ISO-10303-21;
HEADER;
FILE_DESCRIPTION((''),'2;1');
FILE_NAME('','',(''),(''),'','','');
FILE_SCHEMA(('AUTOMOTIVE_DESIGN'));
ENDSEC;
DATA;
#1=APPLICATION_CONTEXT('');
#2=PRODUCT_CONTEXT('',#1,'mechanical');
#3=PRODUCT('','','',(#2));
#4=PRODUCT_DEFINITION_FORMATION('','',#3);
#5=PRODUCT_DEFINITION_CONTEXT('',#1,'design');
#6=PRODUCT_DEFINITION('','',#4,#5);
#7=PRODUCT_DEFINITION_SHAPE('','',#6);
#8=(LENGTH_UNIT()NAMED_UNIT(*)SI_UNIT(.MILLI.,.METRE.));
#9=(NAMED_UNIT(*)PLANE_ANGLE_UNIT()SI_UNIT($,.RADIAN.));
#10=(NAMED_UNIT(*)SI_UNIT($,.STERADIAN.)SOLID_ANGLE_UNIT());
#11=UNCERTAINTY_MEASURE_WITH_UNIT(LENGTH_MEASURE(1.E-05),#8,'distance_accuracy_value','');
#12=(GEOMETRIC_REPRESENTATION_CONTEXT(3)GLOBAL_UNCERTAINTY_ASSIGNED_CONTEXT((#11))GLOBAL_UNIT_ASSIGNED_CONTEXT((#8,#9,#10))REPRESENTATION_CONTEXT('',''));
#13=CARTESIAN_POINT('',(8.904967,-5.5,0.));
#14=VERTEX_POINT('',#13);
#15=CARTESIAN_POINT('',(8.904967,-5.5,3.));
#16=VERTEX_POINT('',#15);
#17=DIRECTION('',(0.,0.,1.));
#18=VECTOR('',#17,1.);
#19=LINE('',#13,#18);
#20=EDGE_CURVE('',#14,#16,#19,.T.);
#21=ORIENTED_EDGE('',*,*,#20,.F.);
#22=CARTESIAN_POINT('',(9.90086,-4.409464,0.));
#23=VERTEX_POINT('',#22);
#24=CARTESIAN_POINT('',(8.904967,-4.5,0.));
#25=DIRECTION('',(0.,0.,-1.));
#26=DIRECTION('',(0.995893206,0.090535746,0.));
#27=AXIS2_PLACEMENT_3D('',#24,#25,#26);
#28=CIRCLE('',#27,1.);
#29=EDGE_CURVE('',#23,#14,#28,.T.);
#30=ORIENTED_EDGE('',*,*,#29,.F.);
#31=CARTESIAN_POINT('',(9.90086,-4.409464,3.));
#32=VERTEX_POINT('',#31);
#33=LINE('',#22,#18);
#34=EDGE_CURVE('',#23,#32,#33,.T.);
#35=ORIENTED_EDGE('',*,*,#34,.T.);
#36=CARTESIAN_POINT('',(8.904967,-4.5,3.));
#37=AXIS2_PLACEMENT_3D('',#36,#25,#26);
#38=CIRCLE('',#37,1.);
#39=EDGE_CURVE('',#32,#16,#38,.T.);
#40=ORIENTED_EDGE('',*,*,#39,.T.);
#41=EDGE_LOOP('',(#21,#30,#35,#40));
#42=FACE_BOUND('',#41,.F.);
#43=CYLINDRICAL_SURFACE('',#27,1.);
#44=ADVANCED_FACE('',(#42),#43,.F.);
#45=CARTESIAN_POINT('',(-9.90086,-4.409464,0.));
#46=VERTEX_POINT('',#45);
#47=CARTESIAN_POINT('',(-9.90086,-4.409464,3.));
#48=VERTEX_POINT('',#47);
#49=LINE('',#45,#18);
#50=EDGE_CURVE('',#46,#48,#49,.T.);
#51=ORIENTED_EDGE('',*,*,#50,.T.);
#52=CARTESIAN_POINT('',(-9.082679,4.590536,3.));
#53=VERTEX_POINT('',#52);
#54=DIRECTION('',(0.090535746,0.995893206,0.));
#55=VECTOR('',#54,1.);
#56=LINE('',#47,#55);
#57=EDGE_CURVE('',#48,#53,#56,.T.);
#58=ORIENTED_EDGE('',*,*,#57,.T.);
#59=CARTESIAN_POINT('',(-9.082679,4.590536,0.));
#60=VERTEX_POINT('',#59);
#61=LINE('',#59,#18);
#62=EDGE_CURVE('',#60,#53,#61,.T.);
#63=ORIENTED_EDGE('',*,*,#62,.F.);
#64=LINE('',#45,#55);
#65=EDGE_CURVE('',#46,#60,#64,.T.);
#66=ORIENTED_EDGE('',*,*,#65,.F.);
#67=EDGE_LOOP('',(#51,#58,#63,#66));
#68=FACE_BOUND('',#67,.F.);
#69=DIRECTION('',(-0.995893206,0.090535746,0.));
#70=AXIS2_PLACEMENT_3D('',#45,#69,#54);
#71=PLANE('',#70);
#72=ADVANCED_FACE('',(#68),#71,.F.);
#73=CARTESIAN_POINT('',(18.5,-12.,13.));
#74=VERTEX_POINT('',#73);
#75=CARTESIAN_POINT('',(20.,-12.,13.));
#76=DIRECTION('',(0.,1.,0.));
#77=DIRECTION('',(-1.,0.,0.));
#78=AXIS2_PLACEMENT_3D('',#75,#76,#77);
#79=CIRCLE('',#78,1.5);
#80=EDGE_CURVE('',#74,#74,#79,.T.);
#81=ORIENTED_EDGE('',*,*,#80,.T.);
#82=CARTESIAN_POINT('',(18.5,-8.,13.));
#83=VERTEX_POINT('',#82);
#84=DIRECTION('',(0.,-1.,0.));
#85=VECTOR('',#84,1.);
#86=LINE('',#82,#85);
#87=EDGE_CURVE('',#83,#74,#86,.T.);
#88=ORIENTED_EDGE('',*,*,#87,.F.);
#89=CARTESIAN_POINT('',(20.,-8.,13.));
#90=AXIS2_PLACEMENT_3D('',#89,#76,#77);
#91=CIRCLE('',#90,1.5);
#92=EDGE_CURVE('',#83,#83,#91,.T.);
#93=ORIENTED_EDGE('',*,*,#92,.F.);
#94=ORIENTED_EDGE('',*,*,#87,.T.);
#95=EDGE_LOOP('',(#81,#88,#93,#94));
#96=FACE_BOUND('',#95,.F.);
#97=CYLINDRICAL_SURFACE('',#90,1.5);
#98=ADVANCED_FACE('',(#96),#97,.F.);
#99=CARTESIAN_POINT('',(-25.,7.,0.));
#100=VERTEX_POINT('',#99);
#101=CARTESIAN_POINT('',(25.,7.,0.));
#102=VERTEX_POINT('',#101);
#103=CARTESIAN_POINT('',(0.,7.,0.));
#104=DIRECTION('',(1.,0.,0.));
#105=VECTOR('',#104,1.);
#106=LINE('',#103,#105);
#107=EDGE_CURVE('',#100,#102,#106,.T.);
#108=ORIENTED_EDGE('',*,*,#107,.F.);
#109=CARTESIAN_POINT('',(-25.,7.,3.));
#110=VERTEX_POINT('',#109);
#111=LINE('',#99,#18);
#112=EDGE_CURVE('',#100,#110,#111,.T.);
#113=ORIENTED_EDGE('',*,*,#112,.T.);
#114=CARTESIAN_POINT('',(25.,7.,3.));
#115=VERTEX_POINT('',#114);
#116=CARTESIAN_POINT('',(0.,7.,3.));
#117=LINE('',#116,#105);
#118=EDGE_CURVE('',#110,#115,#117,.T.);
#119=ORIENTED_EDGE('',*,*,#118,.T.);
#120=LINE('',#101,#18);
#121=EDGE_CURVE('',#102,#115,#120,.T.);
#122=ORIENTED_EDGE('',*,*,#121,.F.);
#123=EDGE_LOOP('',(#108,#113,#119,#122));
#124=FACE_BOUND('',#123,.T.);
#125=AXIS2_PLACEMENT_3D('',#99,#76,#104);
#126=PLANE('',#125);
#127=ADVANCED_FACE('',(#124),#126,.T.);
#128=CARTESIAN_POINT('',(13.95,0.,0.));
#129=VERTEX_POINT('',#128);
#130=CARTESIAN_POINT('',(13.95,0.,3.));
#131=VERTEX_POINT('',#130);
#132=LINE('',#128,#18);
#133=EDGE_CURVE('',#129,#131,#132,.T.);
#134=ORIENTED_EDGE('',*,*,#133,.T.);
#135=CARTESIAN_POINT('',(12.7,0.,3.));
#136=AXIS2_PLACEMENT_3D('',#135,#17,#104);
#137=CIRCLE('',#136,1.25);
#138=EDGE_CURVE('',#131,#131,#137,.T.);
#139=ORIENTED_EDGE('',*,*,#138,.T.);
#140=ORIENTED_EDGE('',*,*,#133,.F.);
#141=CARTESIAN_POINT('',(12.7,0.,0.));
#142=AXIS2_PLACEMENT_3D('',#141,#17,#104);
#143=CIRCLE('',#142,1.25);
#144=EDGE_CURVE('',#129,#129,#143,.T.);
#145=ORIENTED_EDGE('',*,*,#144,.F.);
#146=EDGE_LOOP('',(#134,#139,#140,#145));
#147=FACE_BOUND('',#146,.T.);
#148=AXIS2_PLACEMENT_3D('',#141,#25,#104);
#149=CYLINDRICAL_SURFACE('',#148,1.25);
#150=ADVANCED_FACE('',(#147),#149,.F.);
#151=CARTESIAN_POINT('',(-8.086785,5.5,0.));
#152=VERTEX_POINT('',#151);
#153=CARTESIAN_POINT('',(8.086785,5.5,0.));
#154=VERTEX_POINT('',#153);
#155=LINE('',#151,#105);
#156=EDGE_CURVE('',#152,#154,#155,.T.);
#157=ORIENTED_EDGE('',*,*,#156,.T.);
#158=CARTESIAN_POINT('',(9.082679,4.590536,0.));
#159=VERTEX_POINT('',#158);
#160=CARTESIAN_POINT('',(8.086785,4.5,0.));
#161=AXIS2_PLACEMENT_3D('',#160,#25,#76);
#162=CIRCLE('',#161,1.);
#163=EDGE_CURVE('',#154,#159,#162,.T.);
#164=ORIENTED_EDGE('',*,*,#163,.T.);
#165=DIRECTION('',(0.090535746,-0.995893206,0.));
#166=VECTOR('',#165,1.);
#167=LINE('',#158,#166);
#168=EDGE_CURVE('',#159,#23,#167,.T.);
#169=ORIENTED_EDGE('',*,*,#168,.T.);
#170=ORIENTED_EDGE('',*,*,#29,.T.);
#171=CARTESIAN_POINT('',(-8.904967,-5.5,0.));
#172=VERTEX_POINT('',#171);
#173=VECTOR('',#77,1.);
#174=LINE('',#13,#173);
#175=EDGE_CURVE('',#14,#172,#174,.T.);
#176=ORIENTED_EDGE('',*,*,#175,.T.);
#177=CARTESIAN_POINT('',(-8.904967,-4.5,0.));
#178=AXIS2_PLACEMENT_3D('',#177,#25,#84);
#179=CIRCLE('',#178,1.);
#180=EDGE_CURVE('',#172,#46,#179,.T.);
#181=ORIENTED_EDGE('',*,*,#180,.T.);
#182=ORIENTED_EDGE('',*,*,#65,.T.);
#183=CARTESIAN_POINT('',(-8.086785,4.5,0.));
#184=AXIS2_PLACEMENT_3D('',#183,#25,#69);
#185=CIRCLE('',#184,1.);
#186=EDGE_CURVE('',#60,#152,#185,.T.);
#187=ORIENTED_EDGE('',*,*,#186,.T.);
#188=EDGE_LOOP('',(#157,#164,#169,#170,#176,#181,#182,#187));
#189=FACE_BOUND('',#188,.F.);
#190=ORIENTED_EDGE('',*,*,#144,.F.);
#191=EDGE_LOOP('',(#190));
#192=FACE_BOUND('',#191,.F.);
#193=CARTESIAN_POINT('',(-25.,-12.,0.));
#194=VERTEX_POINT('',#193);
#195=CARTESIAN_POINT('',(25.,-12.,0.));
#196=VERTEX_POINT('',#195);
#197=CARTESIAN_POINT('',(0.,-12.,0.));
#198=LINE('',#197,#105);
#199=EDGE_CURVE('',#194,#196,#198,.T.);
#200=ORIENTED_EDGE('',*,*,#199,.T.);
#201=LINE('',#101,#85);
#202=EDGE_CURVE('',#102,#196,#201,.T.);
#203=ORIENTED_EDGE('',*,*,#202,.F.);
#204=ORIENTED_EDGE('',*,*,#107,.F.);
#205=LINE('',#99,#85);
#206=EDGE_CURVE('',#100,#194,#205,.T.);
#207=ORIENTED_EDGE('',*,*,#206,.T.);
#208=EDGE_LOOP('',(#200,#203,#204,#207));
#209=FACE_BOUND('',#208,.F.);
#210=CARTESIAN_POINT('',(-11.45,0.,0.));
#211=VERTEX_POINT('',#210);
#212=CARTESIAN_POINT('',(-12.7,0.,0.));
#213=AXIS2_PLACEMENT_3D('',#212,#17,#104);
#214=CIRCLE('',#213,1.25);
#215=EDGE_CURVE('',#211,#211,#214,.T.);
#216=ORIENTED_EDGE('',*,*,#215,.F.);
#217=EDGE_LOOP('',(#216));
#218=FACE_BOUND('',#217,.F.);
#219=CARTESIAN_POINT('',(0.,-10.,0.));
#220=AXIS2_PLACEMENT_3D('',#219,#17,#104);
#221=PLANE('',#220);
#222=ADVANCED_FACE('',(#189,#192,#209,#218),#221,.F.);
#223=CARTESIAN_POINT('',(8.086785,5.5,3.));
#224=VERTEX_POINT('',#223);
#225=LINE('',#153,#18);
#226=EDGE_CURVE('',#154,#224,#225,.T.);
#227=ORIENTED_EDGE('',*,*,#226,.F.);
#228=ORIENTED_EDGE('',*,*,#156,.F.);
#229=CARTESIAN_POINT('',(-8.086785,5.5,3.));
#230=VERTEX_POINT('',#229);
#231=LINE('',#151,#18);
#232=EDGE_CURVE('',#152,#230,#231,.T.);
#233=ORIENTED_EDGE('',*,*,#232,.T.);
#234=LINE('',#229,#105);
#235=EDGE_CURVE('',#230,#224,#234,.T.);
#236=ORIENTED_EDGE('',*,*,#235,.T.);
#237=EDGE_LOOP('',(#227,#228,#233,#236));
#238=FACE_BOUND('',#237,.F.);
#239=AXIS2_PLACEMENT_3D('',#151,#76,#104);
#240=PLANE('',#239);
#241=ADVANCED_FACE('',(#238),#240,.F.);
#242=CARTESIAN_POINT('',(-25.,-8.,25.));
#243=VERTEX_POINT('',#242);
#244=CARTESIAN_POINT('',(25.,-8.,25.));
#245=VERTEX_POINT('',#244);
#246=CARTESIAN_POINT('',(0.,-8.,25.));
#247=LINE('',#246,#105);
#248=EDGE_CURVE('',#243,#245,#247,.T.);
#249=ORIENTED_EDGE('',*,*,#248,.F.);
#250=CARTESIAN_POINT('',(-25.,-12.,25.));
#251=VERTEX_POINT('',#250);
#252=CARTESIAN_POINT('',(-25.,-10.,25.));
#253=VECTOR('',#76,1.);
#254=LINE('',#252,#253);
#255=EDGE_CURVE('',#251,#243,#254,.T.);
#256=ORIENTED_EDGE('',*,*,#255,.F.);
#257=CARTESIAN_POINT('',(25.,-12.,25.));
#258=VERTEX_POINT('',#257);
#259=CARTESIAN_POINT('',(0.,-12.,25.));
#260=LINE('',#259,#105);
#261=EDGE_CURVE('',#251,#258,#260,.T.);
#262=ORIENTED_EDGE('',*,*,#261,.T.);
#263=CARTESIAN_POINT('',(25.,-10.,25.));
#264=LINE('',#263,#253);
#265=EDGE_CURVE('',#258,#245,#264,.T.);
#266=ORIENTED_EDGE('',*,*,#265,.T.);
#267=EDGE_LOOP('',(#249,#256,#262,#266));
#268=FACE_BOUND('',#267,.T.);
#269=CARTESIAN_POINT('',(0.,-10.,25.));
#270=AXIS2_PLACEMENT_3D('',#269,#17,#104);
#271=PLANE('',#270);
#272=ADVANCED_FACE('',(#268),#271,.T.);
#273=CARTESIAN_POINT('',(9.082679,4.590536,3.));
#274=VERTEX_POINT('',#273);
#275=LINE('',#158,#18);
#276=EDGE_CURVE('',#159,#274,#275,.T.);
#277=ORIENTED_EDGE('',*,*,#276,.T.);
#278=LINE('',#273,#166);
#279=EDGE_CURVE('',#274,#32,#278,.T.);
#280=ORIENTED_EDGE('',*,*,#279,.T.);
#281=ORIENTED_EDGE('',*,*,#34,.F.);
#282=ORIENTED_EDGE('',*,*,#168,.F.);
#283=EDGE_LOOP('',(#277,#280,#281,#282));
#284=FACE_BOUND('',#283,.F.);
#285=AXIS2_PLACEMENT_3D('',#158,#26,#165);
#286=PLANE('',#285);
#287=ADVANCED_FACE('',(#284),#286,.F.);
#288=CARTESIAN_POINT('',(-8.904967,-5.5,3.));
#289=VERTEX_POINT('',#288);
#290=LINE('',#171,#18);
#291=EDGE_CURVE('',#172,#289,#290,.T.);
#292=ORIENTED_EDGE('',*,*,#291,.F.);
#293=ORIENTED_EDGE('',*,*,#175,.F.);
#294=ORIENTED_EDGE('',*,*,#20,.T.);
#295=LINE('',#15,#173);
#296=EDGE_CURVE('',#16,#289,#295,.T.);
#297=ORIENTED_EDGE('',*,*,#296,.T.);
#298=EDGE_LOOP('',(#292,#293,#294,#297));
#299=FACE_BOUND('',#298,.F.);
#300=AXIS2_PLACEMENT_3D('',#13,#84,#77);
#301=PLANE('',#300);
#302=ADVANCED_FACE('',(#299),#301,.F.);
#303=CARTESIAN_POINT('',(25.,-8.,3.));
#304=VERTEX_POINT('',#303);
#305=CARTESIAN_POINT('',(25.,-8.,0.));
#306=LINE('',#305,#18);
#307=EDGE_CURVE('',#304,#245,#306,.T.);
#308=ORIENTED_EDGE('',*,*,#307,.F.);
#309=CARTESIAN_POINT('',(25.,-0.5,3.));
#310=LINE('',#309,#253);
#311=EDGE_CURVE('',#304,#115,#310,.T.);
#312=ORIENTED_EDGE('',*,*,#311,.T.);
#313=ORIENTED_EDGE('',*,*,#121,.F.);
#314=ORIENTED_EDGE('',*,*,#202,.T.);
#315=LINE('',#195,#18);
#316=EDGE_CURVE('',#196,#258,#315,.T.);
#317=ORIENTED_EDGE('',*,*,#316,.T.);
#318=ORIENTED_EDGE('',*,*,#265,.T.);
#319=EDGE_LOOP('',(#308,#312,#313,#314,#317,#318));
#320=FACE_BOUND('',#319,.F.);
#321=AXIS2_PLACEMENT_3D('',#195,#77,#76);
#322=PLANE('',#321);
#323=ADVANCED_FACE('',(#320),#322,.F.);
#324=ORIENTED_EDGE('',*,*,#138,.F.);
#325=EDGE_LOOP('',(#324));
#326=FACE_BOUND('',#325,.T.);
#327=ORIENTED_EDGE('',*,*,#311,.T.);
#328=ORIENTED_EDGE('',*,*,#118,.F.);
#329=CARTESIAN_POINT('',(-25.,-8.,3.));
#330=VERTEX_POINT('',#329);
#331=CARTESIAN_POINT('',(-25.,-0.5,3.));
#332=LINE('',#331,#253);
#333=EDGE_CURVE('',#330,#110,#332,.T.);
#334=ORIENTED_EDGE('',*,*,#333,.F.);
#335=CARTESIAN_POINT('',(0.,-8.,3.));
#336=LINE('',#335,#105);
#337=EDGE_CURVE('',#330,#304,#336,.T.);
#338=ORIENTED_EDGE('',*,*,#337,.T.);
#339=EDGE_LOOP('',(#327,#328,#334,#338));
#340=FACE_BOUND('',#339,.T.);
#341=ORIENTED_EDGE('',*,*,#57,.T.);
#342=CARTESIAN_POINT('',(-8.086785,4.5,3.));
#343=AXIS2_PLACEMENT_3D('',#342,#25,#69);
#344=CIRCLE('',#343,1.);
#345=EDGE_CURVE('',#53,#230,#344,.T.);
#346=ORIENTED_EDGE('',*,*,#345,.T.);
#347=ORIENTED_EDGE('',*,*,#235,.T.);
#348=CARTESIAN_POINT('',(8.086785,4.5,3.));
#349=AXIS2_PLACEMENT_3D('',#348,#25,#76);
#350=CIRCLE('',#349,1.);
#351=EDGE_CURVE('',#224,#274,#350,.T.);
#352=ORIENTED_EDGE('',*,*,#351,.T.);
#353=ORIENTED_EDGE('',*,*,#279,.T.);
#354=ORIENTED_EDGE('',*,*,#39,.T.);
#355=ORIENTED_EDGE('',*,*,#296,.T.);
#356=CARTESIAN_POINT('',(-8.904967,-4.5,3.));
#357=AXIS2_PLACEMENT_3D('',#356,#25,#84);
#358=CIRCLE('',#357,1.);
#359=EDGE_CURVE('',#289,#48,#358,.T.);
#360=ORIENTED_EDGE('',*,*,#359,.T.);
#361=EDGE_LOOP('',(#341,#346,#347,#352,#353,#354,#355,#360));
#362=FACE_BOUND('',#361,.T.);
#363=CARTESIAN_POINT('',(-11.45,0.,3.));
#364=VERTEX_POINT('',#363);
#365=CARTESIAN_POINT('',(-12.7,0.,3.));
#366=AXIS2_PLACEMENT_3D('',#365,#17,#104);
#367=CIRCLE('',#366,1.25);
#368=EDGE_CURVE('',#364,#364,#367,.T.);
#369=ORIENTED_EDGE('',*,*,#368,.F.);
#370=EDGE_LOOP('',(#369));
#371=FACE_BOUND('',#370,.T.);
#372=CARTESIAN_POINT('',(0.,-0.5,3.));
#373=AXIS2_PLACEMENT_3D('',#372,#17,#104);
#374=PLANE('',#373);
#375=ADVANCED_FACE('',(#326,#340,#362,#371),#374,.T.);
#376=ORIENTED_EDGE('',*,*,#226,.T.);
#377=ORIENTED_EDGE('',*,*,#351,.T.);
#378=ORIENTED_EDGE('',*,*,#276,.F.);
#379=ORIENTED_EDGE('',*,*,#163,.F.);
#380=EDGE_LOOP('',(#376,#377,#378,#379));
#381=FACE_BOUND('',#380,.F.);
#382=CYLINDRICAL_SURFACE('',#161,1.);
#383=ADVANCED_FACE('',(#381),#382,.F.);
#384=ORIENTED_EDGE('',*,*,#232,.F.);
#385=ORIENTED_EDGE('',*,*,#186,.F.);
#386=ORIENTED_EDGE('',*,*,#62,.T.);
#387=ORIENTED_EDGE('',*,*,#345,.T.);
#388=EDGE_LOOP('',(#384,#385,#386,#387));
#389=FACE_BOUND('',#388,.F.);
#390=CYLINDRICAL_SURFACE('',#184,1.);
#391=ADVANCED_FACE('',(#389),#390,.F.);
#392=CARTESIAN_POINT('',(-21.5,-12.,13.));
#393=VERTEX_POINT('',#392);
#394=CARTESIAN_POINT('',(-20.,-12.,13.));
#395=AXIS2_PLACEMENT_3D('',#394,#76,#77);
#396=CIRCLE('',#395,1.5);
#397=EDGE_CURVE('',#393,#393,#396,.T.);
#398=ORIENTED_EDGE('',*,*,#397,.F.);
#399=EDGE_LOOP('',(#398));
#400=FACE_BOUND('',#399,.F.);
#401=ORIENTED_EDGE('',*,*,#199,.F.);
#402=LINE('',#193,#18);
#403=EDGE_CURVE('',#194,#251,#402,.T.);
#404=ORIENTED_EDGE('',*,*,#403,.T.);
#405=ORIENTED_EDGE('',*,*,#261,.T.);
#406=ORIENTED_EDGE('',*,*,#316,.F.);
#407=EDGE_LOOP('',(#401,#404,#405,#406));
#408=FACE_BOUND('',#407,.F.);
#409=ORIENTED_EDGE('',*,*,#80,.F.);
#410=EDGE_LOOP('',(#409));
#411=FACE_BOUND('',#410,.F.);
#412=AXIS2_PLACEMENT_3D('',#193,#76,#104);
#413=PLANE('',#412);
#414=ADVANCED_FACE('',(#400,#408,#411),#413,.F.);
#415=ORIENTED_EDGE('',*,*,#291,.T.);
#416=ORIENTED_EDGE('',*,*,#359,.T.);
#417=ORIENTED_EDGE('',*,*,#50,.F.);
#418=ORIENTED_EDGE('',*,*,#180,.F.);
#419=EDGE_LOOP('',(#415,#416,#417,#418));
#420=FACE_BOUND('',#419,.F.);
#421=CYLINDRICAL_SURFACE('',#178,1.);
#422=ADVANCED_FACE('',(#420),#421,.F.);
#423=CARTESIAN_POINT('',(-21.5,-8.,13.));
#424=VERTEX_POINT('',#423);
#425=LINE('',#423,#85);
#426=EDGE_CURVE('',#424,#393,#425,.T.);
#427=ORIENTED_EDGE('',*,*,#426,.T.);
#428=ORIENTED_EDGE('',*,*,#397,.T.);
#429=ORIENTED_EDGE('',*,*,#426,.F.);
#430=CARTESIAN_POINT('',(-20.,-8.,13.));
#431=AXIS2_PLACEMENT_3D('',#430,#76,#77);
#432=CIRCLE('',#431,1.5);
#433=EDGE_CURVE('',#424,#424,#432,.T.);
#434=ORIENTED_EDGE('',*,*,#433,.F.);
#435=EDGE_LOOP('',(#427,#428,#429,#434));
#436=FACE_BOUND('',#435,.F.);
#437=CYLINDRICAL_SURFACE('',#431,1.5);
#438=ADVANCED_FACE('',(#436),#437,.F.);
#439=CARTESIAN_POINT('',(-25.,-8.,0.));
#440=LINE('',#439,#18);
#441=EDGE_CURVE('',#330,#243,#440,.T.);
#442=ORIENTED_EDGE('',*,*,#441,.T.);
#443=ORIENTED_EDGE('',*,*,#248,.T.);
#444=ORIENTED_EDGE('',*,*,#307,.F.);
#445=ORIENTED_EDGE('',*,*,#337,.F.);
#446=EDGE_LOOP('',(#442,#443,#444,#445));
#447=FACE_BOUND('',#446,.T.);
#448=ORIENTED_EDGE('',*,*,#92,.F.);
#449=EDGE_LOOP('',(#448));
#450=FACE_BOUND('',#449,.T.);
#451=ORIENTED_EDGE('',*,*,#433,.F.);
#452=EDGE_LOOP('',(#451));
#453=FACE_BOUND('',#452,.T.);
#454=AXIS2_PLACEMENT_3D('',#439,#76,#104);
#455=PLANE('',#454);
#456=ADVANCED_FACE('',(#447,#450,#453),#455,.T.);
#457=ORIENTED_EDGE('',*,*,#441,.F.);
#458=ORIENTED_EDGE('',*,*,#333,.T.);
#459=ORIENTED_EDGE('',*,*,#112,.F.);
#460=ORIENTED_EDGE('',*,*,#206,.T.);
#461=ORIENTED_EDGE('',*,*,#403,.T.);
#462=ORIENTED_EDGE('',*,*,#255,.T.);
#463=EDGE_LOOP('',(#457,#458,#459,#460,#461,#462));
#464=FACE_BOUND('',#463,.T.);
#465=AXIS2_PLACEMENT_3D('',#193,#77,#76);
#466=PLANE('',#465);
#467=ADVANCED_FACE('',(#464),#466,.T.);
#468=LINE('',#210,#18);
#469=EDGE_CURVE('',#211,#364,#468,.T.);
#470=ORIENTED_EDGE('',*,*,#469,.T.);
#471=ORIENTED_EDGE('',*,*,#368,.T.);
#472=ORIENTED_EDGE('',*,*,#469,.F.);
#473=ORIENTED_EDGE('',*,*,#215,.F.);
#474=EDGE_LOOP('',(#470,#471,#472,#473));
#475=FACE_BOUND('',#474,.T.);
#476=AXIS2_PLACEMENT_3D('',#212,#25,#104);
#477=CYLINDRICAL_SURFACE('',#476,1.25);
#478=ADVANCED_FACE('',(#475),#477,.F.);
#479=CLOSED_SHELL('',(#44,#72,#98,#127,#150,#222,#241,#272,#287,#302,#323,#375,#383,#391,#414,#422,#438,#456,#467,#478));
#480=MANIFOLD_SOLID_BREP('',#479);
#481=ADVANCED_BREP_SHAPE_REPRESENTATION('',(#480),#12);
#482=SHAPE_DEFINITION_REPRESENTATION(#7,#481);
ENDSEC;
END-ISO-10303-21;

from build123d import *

# Parameters (mm, degrees)
F0_W     = 50
F0_H     = 15
F0_R     = 1.25
F1_DEPTH = 3
F0_H_2   = 4
F2_DEPTH = 25
F4_R     = 1.5
F5_DEPTH = 4.001


with BuildPart() as f1:
    # F0 (on Top) → F1 (new body)
    with BuildSketch(Plane.XY):
        with Locations((0, -0.5)):
            Rectangle(F0_W, F0_H)
        with Locations((-12.7, 0)):
            Circle(F0_R, mode=Mode.SUBTRACT)
        with BuildLine():
            ThreePointArc((-9.0826785685, 4.590535746), (-8.7611236503, 5.2384225572), (-8.0867853621, 5.5))
            Line((-8.0867853621, 5.5), (8.0867853621, 5.5))
            ThreePointArc((8.0867853621, 5.5), (8.7611236503, 5.2384225572), (9.0826785685, 4.590535746))
            Line((9.0826785685, 4.590535746), (9.9008603867, -4.409464254))
            ThreePointArc((9.9008603867, -4.409464254), (9.6433897375, -5.1743382882), (8.9049671803, -5.5))
            Line((8.9049671803, -5.5), (-8.9049671803, -5.5))
            ThreePointArc((-8.9049671803, -5.5), (-9.6433897375, -5.1743382882), (-9.9008603867, -4.409464254))
            Line((-9.9008603867, -4.409464254), (-9.0826785685, 4.590535746))
        make_face(mode=Mode.SUBTRACT)
        with Locations((12.7, 0)):
            Circle(F0_R, mode=Mode.SUBTRACT)
    extrude(amount=F1_DEPTH)

    # F0 (on Top) → F2 (join)
    with BuildSketch(Plane.XY):
        with Locations((0, -10)):
            Rectangle(F0_W, F0_H_2)
    extrude(amount=F2_DEPTH)

    # F4 (on offset) → F5 (cut, through all)
    with BuildSketch(Plane(origin=(0, -8, 0), x_dir=(-1, 0, 0), z_dir=(0, 1, 0))):
        with Locations((-20, 13)):
            Circle(F4_R)
        with Locations((20, 13)):
            Circle(F4_R)
    extrude(amount=-F5_DEPTH, mode=Mode.SUBTRACT)


solid = f1.part
